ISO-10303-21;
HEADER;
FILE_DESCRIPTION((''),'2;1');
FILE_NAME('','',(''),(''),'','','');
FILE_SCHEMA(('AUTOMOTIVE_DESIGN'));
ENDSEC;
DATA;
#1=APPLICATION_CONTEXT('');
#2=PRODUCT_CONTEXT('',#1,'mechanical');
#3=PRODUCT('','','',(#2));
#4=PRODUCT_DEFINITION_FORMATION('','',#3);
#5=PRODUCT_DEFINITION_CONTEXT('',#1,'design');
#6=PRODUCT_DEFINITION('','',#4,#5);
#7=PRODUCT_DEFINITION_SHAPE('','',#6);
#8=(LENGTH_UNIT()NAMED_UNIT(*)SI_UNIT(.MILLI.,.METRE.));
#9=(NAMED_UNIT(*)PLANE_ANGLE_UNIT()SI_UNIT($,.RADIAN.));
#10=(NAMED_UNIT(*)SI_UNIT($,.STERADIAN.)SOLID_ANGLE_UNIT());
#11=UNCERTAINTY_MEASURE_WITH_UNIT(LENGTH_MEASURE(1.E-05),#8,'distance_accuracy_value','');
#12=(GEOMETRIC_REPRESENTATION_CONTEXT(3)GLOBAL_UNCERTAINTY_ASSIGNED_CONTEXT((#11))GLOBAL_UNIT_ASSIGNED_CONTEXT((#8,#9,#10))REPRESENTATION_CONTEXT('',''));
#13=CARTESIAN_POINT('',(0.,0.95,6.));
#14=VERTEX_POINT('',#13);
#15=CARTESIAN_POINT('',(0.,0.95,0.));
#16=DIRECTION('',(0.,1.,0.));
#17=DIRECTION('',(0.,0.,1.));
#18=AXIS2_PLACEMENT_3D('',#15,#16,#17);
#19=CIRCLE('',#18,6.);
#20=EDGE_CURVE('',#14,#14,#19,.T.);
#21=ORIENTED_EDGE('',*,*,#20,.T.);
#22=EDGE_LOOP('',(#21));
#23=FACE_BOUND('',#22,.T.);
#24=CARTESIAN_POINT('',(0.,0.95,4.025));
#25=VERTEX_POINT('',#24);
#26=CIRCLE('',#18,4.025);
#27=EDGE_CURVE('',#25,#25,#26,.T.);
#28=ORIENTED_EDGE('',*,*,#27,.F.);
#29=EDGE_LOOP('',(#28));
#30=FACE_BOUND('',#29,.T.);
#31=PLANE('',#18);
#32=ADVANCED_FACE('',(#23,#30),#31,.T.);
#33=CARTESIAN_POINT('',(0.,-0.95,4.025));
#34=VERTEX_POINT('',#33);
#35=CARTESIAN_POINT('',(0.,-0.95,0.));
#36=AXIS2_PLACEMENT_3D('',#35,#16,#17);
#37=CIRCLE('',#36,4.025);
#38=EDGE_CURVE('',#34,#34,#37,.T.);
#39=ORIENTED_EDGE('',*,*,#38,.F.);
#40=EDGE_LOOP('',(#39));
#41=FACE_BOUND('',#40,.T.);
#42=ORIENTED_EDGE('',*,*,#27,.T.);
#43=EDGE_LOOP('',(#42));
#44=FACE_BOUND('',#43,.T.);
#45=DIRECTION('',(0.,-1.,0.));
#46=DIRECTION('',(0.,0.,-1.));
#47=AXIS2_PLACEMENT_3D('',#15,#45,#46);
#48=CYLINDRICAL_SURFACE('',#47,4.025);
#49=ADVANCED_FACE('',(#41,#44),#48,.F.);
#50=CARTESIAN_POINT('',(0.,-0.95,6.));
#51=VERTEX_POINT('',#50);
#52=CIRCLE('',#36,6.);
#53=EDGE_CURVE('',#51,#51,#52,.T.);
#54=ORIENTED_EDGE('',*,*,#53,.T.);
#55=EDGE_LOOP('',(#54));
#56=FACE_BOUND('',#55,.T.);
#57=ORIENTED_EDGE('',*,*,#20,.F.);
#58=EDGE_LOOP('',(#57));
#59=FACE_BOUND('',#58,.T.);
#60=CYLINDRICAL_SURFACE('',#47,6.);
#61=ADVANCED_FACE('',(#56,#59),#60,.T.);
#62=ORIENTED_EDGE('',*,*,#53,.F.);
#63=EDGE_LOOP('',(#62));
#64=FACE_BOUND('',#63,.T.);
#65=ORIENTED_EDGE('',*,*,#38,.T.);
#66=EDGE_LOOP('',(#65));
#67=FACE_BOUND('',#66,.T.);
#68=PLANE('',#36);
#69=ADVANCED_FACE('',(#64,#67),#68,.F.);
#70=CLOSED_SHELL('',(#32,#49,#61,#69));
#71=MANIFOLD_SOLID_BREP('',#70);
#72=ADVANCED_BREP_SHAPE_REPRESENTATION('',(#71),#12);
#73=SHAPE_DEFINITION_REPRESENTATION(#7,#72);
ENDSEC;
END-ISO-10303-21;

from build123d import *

# Parameters (mm, degrees)
CROQUIS1_R              = 6
CROQUIS1_R_2            = 4.025
SALIENTE_EXTRUIR1_DEPTH = 0.95


with BuildPart() as part:
    # Croquis1 → Saliente-Extruir1 (new body, symmetric)
    with BuildSketch(Plane(origin=(0, 0, 0), x_dir=(1, 0, 0), z_dir=(0, 1, 0))):
        Circle(CROQUIS1_R)
        Circle(CROQUIS1_R_2, mode=Mode.SUBTRACT)
    extrude(amount=SALIENTE_EXTRUIR1_DEPTH, both=True)


solid = part.part
